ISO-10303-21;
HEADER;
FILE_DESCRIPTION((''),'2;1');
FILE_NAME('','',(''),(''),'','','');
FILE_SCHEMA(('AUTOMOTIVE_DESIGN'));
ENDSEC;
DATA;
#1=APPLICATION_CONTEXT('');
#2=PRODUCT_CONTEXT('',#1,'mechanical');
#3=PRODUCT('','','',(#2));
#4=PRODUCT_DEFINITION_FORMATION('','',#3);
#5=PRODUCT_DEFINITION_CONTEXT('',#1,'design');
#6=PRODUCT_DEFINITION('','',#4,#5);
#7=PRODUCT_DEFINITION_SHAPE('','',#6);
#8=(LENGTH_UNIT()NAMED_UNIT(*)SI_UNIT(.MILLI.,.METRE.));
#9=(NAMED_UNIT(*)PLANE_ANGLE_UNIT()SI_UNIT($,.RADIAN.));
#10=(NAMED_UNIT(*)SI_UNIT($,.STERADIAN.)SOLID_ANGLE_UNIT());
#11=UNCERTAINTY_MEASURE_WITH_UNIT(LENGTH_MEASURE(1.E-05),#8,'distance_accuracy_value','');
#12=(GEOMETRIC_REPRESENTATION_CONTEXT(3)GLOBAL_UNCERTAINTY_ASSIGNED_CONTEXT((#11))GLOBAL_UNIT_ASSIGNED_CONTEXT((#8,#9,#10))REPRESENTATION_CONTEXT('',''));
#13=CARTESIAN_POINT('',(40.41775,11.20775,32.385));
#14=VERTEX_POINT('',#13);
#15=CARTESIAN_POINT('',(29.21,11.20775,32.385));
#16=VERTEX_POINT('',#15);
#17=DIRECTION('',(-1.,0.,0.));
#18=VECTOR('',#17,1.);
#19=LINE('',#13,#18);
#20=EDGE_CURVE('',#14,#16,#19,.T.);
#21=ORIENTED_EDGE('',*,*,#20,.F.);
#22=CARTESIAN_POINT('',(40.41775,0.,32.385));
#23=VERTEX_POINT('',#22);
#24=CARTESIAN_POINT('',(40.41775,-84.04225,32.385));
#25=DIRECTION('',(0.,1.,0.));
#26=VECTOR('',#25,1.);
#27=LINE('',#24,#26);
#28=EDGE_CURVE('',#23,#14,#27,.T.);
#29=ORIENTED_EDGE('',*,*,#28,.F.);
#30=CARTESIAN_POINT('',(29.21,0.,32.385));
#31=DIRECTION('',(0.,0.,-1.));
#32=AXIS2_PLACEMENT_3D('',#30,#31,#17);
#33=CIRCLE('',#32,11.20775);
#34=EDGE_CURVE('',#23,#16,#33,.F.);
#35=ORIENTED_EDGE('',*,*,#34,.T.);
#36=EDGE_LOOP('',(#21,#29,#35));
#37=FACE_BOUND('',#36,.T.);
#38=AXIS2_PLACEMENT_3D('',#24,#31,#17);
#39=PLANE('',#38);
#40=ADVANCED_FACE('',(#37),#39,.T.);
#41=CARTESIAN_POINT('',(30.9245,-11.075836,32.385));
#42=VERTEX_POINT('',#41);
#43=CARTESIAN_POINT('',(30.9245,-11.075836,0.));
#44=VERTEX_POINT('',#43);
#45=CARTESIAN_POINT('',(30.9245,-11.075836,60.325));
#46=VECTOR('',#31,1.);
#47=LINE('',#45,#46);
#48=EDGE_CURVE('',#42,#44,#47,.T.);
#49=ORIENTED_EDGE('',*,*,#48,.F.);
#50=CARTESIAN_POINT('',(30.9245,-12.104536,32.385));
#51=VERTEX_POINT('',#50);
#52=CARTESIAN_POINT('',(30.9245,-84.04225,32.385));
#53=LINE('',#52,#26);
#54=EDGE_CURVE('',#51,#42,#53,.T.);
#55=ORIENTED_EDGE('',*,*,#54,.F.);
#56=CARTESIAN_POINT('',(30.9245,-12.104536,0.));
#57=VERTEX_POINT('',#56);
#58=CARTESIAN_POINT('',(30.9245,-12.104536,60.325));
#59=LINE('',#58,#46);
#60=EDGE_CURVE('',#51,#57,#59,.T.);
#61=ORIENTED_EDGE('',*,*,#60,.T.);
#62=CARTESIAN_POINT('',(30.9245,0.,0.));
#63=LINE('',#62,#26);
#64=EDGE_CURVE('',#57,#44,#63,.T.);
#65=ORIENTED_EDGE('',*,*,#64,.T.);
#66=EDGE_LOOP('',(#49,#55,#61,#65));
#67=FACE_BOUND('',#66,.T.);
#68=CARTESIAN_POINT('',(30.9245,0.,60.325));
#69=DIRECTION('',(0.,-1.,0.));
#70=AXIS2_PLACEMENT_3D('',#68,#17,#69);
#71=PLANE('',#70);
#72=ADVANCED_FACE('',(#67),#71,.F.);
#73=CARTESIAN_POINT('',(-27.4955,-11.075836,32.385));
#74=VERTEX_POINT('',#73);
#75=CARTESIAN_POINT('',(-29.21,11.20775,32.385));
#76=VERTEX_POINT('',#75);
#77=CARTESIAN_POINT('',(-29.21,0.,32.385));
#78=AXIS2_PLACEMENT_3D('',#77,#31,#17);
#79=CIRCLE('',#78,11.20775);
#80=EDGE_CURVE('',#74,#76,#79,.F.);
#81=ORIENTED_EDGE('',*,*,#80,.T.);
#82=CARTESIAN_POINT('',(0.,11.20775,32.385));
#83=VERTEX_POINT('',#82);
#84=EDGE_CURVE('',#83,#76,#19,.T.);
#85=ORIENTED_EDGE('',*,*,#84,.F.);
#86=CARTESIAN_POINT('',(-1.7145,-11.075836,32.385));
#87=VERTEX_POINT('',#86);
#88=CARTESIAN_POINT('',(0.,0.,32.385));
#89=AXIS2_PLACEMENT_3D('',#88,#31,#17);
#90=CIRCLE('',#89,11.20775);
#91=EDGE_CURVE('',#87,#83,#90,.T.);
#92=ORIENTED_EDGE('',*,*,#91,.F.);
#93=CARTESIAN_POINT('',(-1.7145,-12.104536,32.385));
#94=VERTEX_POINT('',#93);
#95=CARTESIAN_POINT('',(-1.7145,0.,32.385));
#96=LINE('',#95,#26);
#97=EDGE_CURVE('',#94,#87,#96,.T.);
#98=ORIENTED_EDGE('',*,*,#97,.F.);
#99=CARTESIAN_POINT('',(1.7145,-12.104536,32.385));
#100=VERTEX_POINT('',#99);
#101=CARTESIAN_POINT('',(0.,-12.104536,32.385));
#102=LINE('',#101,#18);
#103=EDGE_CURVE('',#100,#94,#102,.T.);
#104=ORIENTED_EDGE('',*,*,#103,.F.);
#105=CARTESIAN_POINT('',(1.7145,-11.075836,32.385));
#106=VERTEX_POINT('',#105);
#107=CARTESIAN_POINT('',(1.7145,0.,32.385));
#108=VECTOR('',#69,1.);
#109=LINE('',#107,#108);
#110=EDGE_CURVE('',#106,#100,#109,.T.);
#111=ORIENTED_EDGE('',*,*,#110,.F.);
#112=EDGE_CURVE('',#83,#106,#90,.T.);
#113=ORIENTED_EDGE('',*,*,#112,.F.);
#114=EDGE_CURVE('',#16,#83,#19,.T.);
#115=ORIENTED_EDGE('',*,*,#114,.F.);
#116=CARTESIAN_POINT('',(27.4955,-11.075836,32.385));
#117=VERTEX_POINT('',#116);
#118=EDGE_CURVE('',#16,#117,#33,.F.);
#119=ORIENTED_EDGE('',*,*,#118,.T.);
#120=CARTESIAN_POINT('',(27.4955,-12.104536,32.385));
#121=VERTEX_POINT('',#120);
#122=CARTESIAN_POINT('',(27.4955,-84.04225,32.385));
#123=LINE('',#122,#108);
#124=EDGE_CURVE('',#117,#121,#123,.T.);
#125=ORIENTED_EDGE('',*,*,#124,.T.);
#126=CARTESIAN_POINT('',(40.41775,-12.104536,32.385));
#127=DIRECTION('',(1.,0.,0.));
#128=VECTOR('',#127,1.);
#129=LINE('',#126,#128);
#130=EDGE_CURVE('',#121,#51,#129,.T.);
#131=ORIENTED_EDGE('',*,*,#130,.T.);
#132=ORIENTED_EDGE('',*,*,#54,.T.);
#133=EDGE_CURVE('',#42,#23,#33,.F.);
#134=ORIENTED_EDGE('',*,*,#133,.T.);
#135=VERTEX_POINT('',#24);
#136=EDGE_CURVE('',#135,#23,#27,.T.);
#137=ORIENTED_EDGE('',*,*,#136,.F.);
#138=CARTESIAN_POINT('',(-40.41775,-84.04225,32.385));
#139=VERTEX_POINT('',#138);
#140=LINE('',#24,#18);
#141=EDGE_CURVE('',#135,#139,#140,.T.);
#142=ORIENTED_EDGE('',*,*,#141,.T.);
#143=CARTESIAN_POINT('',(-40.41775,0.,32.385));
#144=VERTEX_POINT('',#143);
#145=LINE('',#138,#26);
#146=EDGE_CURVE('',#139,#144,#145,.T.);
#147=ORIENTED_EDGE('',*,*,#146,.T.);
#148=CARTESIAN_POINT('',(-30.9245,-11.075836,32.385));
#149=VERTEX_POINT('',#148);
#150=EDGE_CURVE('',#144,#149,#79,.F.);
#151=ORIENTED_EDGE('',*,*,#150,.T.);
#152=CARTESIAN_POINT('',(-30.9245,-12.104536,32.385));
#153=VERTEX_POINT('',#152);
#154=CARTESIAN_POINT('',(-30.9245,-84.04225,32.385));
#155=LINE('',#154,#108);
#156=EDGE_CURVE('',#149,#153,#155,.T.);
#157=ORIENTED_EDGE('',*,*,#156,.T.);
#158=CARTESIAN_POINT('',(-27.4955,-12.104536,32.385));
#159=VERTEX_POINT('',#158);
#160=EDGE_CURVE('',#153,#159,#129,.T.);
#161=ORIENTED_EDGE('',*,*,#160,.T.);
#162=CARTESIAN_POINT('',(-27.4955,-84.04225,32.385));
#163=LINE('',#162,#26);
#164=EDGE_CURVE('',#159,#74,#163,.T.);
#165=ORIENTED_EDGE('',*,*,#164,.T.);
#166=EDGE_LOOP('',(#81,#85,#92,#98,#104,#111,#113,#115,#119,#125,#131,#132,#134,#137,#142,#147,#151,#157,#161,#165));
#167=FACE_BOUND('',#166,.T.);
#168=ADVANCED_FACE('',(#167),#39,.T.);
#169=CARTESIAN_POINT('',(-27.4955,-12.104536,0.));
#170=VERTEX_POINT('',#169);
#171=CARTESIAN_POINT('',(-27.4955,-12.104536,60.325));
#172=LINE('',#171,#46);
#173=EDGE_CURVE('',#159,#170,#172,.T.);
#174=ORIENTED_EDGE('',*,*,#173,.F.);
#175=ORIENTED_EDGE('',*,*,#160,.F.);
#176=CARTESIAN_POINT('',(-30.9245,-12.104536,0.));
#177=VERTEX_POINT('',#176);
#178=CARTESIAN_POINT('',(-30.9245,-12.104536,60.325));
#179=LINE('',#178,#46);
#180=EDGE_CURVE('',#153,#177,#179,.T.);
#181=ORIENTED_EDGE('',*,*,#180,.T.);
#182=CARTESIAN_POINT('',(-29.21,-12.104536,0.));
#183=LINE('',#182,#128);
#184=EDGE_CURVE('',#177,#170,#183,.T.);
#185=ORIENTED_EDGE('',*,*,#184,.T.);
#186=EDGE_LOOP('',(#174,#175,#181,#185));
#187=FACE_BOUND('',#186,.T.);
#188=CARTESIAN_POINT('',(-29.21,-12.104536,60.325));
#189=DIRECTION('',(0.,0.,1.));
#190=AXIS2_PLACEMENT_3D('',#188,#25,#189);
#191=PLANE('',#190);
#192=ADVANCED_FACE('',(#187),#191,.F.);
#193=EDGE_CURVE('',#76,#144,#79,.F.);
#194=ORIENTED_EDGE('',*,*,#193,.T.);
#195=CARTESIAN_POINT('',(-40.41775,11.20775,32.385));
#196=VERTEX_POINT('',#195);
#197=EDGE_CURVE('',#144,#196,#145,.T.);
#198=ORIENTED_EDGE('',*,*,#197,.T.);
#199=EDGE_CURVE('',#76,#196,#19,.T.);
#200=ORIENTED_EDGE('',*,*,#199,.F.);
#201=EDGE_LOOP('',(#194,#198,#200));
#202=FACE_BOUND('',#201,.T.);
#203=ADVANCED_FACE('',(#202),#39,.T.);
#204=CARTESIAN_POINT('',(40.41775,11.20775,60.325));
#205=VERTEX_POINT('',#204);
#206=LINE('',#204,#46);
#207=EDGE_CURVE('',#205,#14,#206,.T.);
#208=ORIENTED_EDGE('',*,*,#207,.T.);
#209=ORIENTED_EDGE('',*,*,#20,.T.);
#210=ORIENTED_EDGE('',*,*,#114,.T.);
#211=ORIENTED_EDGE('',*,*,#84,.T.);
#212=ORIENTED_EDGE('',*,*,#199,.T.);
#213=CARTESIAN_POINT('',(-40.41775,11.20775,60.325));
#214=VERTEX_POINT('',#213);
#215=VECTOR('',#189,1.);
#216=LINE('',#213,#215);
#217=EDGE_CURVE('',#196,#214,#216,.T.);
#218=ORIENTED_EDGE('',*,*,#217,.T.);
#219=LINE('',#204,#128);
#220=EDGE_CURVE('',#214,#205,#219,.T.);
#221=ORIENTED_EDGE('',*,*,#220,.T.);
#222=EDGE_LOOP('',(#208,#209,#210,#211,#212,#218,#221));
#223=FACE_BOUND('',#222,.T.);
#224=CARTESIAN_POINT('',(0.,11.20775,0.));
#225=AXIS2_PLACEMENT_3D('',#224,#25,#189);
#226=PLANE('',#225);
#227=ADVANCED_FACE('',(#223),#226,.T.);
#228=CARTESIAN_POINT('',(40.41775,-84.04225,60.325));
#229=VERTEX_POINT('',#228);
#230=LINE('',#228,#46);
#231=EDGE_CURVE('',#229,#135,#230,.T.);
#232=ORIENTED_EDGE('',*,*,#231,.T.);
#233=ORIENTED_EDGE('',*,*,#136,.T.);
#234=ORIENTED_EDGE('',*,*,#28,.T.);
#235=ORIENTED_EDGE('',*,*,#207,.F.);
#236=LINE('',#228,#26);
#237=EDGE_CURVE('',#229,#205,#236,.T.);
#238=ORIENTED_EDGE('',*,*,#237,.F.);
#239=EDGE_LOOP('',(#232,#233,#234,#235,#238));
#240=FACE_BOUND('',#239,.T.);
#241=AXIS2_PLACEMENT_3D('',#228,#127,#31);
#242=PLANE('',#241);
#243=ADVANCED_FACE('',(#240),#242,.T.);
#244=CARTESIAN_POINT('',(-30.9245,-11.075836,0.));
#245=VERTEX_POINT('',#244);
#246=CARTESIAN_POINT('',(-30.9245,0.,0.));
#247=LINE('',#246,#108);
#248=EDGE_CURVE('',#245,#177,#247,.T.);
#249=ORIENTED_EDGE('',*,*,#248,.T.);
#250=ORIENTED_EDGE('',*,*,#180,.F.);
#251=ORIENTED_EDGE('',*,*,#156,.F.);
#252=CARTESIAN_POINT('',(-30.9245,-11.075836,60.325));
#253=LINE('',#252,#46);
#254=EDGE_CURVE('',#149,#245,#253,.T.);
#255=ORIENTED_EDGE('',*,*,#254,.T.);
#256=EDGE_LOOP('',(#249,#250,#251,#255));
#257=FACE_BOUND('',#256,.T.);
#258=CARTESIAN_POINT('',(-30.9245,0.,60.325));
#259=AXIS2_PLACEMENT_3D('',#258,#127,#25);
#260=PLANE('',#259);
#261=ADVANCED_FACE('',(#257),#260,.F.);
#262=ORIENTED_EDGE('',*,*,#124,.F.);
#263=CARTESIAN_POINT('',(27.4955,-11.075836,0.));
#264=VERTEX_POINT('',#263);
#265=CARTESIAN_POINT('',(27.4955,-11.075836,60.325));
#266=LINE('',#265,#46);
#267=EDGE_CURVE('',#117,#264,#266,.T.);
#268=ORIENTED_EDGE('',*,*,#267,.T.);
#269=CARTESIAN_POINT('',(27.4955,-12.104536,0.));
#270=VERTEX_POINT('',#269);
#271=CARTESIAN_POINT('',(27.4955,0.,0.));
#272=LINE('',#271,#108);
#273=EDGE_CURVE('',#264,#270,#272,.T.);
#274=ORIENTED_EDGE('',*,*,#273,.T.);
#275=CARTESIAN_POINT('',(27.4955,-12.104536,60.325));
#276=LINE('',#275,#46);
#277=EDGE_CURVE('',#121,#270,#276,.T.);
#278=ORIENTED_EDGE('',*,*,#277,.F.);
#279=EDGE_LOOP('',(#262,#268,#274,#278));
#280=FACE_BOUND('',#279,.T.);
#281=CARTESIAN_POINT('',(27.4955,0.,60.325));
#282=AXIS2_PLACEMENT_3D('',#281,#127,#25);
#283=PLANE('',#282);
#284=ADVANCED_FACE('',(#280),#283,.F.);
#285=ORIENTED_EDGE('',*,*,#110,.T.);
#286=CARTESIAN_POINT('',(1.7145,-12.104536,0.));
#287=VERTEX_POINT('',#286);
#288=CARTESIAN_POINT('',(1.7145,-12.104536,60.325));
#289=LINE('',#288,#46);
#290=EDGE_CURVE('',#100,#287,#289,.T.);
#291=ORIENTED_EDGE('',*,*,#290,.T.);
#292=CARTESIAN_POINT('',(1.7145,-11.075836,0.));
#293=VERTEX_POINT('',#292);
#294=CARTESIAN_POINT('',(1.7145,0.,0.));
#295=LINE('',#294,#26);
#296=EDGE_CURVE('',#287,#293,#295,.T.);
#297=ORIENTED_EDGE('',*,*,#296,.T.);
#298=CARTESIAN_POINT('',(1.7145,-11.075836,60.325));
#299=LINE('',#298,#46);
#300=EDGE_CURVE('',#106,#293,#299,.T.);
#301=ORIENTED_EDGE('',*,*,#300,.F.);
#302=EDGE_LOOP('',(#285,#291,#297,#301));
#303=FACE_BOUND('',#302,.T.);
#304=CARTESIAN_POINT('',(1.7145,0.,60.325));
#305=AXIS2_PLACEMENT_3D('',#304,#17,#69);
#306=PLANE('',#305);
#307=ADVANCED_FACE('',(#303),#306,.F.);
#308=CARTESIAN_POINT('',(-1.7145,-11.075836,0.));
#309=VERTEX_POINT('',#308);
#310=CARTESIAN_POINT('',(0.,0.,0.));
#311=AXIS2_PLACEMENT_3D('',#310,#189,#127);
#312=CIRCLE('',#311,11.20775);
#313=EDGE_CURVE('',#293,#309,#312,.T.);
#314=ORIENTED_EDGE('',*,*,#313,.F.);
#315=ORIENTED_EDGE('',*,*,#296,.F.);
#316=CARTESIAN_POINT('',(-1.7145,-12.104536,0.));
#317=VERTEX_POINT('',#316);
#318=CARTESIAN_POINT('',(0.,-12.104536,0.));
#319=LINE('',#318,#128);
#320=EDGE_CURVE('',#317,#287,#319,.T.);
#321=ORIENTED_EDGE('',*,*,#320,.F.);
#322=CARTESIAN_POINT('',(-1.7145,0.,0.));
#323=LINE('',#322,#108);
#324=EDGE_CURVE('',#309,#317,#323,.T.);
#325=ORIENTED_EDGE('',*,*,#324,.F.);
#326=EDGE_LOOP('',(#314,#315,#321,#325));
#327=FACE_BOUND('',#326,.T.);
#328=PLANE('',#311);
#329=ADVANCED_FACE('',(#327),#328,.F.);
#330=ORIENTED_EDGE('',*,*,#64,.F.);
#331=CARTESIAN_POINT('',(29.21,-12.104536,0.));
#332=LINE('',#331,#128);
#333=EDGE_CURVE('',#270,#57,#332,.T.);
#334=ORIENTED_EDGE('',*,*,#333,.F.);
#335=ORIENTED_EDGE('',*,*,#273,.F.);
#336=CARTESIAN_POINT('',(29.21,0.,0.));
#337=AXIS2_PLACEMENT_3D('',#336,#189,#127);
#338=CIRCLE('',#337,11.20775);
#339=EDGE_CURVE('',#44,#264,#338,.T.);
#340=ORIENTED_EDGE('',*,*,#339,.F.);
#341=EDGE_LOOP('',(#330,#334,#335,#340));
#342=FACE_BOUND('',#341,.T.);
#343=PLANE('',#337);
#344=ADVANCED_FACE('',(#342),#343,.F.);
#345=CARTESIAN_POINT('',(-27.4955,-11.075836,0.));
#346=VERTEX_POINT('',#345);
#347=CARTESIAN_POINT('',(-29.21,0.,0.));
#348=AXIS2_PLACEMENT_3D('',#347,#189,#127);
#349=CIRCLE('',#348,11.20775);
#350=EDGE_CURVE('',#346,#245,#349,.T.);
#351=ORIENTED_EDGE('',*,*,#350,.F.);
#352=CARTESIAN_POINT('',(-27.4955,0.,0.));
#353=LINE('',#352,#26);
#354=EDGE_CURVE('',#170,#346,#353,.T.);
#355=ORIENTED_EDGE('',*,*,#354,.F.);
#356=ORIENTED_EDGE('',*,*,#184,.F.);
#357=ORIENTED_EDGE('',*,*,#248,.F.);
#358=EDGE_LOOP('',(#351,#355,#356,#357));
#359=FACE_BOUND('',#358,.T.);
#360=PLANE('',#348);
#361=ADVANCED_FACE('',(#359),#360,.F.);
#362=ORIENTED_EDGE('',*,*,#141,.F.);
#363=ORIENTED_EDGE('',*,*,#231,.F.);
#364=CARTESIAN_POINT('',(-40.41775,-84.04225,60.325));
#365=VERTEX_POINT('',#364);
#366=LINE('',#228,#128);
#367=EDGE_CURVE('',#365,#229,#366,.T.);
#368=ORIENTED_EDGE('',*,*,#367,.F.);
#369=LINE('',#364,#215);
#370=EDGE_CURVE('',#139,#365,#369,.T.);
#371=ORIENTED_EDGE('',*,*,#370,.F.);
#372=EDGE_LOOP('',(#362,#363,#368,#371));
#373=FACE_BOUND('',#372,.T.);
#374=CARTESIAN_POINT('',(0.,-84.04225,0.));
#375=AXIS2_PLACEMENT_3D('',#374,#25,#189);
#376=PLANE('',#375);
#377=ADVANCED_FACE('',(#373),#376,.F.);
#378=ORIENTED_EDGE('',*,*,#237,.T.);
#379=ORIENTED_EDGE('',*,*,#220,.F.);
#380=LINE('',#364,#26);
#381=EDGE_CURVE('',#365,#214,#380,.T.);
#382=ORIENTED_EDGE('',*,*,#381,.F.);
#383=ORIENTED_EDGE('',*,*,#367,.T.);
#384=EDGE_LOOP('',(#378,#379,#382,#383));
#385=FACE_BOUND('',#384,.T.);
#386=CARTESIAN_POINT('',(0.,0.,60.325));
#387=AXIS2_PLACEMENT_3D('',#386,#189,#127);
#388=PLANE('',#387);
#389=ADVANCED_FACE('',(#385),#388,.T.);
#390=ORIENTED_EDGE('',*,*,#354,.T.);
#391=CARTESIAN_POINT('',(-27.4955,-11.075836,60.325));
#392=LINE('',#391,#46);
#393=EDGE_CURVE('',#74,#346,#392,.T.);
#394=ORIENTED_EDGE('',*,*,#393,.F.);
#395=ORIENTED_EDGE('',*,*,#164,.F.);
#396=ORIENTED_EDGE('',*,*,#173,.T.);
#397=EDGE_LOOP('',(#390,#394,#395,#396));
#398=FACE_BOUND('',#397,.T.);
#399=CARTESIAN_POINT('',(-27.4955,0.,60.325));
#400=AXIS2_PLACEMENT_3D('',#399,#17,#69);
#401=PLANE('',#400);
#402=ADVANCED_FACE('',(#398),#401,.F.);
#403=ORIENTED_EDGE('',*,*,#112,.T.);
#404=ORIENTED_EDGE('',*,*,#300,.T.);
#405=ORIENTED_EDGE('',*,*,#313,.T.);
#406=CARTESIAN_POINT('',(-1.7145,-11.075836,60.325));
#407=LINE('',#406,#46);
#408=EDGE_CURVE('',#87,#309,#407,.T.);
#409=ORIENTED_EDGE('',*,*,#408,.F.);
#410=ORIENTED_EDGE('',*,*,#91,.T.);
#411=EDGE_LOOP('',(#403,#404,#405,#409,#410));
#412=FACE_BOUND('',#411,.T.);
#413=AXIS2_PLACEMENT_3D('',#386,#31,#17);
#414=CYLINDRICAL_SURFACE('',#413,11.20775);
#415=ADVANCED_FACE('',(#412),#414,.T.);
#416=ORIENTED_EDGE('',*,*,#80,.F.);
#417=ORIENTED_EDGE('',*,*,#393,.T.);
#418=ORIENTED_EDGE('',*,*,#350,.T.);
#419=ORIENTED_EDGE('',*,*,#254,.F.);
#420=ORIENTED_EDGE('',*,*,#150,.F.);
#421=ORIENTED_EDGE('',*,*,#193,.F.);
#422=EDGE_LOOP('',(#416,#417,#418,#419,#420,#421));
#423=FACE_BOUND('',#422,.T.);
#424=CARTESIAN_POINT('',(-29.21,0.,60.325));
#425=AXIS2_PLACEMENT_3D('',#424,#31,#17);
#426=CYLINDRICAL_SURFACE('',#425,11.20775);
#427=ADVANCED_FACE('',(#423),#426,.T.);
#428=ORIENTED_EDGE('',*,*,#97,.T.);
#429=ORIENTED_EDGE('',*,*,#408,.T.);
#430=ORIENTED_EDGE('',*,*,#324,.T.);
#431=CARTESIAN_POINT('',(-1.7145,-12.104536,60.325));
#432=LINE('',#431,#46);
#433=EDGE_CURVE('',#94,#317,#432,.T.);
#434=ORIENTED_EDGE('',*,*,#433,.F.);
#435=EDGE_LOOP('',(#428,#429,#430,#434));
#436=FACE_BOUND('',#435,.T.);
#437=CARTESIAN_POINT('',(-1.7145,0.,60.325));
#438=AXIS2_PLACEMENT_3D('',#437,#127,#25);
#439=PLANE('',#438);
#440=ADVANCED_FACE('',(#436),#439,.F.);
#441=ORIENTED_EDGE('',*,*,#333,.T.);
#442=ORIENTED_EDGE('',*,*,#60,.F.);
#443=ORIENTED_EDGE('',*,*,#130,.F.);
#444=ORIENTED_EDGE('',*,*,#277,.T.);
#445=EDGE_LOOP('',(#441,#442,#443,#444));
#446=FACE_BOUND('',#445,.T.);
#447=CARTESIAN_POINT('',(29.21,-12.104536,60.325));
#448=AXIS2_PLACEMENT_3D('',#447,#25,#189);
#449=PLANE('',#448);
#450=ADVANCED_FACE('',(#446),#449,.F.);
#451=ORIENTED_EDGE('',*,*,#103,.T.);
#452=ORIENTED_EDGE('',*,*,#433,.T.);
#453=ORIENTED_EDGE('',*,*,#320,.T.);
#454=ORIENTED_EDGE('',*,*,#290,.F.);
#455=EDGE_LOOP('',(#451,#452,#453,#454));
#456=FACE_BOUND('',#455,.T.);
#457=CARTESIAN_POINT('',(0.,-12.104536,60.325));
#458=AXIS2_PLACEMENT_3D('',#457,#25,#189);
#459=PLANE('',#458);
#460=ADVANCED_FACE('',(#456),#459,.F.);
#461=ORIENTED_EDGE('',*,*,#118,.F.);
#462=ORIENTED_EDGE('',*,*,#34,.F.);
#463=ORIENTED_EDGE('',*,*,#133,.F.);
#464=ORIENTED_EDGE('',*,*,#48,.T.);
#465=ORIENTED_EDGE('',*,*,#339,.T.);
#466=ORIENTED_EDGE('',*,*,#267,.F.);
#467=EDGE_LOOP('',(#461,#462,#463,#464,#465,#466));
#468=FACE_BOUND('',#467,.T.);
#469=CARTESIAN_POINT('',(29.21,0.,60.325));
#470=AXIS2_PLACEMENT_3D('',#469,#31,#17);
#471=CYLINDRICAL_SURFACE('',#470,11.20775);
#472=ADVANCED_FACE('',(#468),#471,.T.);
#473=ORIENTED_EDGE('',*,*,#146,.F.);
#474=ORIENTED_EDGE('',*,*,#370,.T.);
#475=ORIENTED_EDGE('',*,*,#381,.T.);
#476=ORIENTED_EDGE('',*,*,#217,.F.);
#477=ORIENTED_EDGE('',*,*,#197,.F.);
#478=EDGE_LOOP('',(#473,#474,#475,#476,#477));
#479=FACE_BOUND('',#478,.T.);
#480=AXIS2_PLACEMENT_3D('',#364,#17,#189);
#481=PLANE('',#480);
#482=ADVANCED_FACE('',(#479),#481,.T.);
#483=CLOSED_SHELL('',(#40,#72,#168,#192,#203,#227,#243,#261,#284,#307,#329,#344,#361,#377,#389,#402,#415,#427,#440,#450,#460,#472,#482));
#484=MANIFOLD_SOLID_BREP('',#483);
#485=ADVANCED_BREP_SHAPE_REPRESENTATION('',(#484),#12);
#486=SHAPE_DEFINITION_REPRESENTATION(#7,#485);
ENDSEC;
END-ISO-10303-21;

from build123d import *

# Parameters (mm, degrees)
SKETCH1_R                = 11.20775
BOSS_EXTRUDE1_DEPTH      = 60.325
LPATTERN1_COUNT          = 2
LPATTERN1_PITCH          = 29.21
LPATTERN1_2_COUNT        = 2
LPATTERN1_2_PITCH        = 29.21
SKETCH2_W                = 80.8355
SKETCH2_H                = 27.94
BOSS_EXTRUDE2_DEPTH      = 11.20775
BOSS_EXTRUDE2_DEPTH_BACK = 84.04225


with BuildPart() as part:
    # Sketch1 → Boss-Extrude1 (new body)
    with BuildSketch(Plane.XY):
        Circle(SKETCH1_R)
        with BuildLine():
            ThreePointArc((1.7145, -11.075836303), (0, -11.20775), (-1.7145, -11.075836303))
            Line((-1.7145, -11.075836303), (-1.7145, -12.104536303))
            Line((-1.7145, -12.104536303), (1.7145, -12.104536303))
            Line((1.7145, -12.104536303), (1.7145, -11.075836303))
        make_face()
    extrude(amount=BOSS_EXTRUDE1_DEPTH)


with BuildPart() as lpattern1_1:
    # LPattern1: pattern copy
    add(part.part.moved(Location(Vector(1, 0, 0) * (1 * LPATTERN1_PITCH))))


with BuildPart() as lpattern1_2_1:
    # LPattern1 2: pattern copy
    add(part.part.moved(Location(Vector(-1, 0, 0) * (1 * LPATTERN1_2_PITCH))))


with BuildPart() as lpattern1_2_2:
    # LPattern1 2: pattern copy
    add(lpattern1_1.part.moved(Location(Vector(-1, 0, 0) * (1 * LPATTERN1_2_PITCH))))


with BuildPart() as part_1:
    add(part.part)

    add(lpattern1_1.part)  # Boss-Extrude2 merges LPattern1_1

    add(lpattern1_2_1.part)  # Boss-Extrude2 merges LPattern1 2_1

    add(lpattern1_2_2.part)  # Boss-Extrude2 merges LPattern1 2_2
    # Sketch2 → Boss-Extrude2 (add, two sides)
    with BuildSketch(Plane(origin=(0, 0, 0), x_dir=(1, 0, 0), z_dir=(0, 1, 0))) as boss_extrude2_sk:
        with Locations((0, -46.355)):
            Rectangle(SKETCH2_W, SKETCH2_H)
    extrude(amount=BOSS_EXTRUDE2_DEPTH)
    extrude(boss_extrude2_sk.sketch, amount=-BOSS_EXTRUDE2_DEPTH_BACK)


solid = part_1.part
